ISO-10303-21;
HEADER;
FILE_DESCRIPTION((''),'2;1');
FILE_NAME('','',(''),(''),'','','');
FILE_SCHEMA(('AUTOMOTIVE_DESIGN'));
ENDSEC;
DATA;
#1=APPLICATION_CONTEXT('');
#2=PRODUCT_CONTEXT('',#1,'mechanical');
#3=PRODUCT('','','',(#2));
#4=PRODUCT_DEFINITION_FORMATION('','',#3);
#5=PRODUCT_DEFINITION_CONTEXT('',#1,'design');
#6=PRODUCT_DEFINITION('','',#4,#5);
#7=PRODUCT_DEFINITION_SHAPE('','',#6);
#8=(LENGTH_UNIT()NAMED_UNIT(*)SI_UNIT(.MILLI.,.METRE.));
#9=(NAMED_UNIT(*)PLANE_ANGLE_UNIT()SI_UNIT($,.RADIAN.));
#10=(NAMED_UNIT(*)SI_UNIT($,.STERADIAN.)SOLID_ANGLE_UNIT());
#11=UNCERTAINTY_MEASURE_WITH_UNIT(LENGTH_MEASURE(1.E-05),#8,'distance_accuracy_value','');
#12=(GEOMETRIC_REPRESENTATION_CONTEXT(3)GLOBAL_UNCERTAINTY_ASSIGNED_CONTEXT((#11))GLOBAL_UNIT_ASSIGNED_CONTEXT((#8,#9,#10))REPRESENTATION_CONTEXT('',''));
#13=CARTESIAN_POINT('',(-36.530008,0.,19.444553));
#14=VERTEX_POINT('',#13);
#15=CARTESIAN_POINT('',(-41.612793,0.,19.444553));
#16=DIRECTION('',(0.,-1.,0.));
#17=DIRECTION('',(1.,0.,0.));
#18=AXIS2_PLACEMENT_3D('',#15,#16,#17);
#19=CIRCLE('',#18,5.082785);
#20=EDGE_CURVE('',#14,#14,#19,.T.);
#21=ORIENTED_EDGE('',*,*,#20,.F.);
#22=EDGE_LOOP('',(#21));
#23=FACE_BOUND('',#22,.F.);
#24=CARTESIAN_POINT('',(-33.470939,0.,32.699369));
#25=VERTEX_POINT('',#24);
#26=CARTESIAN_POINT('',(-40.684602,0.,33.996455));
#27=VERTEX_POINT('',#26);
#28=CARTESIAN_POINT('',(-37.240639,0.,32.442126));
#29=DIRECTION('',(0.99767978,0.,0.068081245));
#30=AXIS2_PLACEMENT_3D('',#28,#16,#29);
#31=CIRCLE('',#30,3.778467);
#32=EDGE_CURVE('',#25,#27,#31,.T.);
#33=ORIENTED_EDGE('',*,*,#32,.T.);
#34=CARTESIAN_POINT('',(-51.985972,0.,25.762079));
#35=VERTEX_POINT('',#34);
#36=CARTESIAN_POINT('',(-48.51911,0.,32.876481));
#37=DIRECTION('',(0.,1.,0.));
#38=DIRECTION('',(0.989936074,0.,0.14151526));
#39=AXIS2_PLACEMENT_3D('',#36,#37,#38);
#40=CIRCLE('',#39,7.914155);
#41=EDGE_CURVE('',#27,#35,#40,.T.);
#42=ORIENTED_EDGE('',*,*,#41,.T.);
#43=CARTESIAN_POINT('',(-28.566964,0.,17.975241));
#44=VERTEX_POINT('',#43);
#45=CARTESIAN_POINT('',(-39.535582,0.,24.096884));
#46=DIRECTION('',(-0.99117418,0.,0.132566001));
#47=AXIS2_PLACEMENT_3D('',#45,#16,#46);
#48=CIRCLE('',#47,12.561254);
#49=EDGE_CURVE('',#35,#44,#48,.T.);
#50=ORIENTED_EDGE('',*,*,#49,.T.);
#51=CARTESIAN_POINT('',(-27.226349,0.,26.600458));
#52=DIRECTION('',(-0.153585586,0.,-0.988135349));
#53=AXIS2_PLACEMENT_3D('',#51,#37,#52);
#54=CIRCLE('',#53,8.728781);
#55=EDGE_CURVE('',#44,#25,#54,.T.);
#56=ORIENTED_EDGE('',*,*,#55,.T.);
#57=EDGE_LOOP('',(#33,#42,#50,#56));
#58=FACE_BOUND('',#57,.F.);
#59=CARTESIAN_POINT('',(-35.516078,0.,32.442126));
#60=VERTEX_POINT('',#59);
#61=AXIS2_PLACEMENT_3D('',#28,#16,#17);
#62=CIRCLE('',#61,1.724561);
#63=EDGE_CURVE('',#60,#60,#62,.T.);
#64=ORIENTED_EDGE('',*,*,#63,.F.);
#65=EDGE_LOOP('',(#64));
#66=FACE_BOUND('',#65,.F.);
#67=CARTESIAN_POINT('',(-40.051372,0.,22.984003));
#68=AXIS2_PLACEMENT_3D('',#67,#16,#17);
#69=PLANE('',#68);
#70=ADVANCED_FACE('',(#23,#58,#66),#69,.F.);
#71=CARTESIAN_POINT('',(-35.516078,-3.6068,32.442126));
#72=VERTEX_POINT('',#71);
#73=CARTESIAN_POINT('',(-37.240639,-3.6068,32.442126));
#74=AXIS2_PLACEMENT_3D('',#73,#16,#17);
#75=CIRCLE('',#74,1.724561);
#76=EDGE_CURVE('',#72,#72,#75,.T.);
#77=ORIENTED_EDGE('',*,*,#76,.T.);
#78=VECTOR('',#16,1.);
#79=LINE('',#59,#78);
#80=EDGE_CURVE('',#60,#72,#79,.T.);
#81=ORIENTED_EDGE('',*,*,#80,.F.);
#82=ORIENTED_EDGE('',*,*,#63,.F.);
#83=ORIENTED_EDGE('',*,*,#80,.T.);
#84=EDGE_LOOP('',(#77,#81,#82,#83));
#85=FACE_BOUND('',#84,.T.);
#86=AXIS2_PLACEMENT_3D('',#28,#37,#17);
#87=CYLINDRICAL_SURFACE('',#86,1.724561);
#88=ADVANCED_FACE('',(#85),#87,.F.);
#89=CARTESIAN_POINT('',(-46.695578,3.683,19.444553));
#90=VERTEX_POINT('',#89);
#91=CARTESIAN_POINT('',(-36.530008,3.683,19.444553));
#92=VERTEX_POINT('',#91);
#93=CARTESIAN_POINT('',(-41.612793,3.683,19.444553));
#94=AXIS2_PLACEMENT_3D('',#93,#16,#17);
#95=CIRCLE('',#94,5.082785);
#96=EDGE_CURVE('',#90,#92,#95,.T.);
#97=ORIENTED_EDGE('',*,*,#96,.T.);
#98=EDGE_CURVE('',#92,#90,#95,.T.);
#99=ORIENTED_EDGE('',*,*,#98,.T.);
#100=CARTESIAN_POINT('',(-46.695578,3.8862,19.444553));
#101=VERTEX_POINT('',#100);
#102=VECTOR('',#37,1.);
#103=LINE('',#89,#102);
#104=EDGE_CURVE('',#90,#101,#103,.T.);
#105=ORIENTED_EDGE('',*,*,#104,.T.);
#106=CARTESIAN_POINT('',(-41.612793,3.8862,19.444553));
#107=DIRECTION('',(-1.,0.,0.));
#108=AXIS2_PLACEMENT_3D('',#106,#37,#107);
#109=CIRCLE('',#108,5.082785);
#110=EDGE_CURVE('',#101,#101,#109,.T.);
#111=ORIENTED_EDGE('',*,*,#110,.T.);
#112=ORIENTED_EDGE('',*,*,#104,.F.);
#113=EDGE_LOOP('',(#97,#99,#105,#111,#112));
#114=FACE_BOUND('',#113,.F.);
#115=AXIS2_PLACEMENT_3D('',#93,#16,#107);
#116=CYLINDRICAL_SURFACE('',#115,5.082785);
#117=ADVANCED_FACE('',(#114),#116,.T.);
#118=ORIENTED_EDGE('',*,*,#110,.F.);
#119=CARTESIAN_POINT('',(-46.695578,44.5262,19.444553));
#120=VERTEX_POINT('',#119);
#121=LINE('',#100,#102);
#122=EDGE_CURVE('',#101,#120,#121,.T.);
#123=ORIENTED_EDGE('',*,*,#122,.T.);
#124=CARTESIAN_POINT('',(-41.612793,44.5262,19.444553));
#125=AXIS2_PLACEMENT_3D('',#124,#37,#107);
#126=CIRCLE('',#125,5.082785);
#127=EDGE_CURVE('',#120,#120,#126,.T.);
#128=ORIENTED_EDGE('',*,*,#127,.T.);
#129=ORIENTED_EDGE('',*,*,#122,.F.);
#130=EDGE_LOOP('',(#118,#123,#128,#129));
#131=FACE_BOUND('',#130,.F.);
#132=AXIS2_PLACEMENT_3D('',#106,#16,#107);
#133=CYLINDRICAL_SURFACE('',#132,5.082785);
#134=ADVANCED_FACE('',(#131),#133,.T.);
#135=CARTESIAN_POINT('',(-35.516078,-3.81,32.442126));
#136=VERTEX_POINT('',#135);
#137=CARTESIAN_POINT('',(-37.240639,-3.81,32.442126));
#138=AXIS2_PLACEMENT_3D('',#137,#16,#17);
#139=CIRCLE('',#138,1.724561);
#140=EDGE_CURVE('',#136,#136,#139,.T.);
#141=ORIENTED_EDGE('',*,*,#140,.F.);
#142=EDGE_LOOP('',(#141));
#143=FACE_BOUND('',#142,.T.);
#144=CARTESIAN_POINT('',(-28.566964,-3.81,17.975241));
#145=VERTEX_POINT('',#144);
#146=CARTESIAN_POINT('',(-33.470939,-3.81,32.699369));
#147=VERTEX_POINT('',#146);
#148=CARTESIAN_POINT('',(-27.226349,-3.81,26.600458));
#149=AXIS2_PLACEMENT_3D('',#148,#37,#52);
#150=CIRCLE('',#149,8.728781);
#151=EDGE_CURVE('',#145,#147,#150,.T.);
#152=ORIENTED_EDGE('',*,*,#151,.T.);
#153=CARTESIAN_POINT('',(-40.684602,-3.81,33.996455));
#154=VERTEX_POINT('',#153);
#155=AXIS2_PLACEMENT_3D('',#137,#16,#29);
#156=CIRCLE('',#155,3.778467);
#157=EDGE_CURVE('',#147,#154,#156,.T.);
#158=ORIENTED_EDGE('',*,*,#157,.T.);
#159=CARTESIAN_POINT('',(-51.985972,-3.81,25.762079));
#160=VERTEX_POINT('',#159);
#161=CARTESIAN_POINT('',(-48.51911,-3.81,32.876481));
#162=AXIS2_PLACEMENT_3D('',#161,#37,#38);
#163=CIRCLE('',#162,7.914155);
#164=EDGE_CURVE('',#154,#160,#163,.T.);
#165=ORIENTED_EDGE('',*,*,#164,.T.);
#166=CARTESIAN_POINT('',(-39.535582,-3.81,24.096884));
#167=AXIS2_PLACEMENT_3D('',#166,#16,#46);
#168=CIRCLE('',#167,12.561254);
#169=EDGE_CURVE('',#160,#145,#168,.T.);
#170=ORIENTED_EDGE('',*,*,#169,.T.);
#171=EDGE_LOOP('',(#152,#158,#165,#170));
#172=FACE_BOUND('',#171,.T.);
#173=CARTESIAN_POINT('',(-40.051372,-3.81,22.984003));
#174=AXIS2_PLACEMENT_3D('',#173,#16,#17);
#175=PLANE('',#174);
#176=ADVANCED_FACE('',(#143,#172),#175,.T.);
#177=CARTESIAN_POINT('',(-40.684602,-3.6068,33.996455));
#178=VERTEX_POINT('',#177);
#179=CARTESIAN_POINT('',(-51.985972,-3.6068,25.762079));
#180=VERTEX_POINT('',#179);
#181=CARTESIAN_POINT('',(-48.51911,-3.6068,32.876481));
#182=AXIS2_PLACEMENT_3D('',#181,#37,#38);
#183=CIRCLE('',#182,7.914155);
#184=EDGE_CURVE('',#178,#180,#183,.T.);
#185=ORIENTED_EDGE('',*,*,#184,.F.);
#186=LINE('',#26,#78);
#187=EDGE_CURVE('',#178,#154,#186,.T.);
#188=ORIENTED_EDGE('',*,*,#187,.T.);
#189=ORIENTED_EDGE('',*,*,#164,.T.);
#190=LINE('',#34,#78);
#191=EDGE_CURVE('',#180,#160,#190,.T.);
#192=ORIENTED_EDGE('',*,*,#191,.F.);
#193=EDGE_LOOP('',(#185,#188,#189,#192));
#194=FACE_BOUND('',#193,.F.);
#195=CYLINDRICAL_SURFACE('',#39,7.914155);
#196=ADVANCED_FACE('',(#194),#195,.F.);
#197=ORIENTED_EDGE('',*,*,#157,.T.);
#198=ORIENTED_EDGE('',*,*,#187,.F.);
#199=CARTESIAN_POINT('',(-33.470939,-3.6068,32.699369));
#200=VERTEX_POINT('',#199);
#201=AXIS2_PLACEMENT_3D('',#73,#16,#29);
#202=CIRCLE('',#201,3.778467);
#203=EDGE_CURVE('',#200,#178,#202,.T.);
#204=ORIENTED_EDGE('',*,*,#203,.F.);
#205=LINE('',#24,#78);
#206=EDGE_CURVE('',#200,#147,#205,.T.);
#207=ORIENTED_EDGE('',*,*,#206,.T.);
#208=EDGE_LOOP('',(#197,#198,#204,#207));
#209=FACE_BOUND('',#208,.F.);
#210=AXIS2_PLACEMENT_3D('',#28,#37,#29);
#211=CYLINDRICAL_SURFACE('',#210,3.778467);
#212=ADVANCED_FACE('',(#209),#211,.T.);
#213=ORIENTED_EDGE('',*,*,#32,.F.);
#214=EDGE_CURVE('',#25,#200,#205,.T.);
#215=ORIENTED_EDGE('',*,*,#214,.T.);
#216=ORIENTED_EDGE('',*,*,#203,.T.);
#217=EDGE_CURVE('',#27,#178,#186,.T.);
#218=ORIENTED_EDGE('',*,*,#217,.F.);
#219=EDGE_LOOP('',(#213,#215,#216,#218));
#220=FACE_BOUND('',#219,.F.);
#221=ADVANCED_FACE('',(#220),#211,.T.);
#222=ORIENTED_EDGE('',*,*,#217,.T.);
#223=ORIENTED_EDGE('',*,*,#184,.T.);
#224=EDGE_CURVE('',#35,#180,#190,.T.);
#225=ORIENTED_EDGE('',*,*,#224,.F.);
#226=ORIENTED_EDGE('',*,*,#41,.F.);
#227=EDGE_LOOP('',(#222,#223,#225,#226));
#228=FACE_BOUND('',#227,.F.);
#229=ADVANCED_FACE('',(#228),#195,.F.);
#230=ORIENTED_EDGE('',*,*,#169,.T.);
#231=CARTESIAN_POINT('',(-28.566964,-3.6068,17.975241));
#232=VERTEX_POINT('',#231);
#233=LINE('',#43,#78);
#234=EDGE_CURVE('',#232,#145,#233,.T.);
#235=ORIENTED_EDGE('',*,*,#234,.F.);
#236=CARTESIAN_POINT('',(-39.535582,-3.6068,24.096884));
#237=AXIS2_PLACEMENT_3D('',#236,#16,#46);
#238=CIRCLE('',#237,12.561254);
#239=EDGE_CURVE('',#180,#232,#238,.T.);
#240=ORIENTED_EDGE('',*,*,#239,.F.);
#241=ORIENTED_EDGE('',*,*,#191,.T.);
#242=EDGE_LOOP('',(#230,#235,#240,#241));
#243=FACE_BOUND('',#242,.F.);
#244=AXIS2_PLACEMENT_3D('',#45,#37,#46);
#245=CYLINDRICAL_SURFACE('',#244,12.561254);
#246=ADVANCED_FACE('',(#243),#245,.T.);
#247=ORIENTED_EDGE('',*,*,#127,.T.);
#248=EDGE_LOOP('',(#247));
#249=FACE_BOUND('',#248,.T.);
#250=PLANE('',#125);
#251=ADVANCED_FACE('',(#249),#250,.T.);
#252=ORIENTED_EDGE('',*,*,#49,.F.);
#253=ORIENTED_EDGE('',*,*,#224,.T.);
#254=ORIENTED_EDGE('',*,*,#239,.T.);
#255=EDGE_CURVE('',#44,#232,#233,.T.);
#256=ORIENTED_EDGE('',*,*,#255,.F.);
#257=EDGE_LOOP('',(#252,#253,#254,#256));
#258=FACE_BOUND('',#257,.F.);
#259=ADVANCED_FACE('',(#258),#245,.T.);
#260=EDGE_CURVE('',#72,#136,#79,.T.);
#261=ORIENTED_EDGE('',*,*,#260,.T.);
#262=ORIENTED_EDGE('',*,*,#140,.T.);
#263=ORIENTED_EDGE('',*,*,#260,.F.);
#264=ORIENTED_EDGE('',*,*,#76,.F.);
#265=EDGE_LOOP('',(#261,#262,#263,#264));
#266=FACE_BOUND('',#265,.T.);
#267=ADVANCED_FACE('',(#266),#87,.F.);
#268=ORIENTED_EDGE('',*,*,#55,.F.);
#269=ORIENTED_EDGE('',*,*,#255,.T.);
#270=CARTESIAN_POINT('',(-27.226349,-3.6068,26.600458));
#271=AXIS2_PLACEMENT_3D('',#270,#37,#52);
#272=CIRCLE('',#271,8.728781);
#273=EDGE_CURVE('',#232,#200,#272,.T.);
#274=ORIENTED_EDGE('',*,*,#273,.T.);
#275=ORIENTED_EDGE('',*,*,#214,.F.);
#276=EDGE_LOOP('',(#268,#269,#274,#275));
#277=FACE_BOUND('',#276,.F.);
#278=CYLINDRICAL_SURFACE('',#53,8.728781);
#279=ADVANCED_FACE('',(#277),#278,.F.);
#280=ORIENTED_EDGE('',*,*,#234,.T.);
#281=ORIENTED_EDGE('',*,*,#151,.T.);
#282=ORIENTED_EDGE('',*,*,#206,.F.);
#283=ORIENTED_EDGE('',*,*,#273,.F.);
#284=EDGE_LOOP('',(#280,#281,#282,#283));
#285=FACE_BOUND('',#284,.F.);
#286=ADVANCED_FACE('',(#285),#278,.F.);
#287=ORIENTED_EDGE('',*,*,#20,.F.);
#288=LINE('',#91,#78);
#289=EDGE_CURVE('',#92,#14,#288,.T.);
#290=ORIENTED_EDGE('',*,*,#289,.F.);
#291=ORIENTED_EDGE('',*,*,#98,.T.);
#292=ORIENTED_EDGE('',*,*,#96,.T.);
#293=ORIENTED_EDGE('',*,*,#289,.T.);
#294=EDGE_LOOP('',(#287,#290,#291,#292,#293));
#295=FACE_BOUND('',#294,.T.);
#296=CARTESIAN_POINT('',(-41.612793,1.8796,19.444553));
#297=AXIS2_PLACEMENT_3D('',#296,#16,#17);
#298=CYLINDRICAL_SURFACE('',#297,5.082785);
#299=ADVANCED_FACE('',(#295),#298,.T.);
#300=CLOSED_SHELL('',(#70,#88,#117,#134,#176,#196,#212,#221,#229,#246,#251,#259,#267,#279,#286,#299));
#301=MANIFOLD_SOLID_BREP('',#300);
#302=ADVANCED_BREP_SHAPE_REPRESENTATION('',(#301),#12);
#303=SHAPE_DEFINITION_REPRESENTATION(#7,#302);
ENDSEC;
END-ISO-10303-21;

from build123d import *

# Parameters (mm, degrees)
F0_R      = 1.7245608891
F1_DEPTH  = 3.81
F2_R      = 5.0827847808
F3_DEPTH  = 1.8796
F5_DEPTH  = 1.8034
F5_FACE_R = 5.0827847808
F4_R      = 4.0761496426
F1_FACE_R = 1.7245608891
F6_DEPTH  = 0.2032
F7_DEPTH  = 40.64


with BuildPart() as f1:
    # F0 (on Front) → F1 (new body)
    with BuildSketch(Plane.XZ):
        with BuildLine():
            ThreePointArc((-40.6846019076, 33.996454664), (-43.8586035919, 26.4801119862), (-51.985972327, 25.7620789885))
            ThreePointArc((-51.985972327, 25.7620789885), (-43.4988667945, 12.1772585573), (-28.5669643091, 17.975240502))
            ThreePointArc((-28.5669643091, 17.975240502), (-35.5078844362, 23.842234183), (-33.4709389841, 32.6993691762))
            ThreePointArc((-33.4709389841, 32.6993691762), (-36.5719585653, 36.1609542707), (-40.6846019076, 33.996454664))
        make_face()
        with Locations((-37.240639329, 32.4421264231)):
            Circle(F0_R, mode=Mode.SUBTRACT)
    extrude(amount=F1_DEPTH)

    # F2 (on Front) → F3 (join)
    with BuildSketch(Plane.XZ):
        with Locations((-41.6127927601, 19.4445531815)):
            Circle(F2_R)
    extrude(amount=-F3_DEPTH)

    # F5 (add): a face of the model
    f5_faces = [f1.faces().sort_by_distance(p)[0] for p in [
        (-41.6127927601, 1.8796, 19.4445531815),
    ]]
    extrude(f5_faces, amount=F5_DEPTH)

    # F5_face (on face) + F4 (on Front) + F1_face (on face) → F6 (join)
    with BuildSketch(Plane(origin=(-41.6127927601, 3.683, 19.4445531815), x_dir=(-1, 0, 0), z_dir=(0, 1, 0))):
        Circle(F5_FACE_R)
    with BuildSketch(Plane.XZ):
        with Locations((-41.713938117, 19.8042206466)):
            Circle(F4_R)
    with BuildSketch(Plane(origin=(-40.7069598519, -3.81, 21.1441009412), x_dir=(1, 0, 0), z_dir=(0, -1, 0))):
        with BuildLine():
            ThreePointArc((7.2360208677, 11.555268235), (4.1350012866, 15.0168533295), (0.0223579443, 12.8523537228))
            ThreePointArc((0.0223579443, 12.8523537228), (-3.15164374, 5.336011045), (-11.2790124751, 4.6179780473))
            ThreePointArc((-11.2790124751, 4.6179780473), (-2.7919069426, -8.9668423839), (12.1399955428, -3.1688604391))
            ThreePointArc((12.1399955428, -3.1688604391), (5.1990754157, 2.6981332418), (7.2360208677, 11.555268235))
        make_face()
        with Locations((3.4663205229, 11.2980254819)):
            Circle(F1_FACE_R, mode=Mode.SUBTRACT)
    extrude(amount=F6_DEPTH, dir=(0, 1, 0))

    # F7 (add): a face of the model
    f7_faces = [f1.faces().sort_by_distance(p)[0] for p in [
        (-41.6127927601, 3.8862, 19.4445531815),
    ]]
    extrude(f7_faces, amount=F7_DEPTH)


solid = f1.part
